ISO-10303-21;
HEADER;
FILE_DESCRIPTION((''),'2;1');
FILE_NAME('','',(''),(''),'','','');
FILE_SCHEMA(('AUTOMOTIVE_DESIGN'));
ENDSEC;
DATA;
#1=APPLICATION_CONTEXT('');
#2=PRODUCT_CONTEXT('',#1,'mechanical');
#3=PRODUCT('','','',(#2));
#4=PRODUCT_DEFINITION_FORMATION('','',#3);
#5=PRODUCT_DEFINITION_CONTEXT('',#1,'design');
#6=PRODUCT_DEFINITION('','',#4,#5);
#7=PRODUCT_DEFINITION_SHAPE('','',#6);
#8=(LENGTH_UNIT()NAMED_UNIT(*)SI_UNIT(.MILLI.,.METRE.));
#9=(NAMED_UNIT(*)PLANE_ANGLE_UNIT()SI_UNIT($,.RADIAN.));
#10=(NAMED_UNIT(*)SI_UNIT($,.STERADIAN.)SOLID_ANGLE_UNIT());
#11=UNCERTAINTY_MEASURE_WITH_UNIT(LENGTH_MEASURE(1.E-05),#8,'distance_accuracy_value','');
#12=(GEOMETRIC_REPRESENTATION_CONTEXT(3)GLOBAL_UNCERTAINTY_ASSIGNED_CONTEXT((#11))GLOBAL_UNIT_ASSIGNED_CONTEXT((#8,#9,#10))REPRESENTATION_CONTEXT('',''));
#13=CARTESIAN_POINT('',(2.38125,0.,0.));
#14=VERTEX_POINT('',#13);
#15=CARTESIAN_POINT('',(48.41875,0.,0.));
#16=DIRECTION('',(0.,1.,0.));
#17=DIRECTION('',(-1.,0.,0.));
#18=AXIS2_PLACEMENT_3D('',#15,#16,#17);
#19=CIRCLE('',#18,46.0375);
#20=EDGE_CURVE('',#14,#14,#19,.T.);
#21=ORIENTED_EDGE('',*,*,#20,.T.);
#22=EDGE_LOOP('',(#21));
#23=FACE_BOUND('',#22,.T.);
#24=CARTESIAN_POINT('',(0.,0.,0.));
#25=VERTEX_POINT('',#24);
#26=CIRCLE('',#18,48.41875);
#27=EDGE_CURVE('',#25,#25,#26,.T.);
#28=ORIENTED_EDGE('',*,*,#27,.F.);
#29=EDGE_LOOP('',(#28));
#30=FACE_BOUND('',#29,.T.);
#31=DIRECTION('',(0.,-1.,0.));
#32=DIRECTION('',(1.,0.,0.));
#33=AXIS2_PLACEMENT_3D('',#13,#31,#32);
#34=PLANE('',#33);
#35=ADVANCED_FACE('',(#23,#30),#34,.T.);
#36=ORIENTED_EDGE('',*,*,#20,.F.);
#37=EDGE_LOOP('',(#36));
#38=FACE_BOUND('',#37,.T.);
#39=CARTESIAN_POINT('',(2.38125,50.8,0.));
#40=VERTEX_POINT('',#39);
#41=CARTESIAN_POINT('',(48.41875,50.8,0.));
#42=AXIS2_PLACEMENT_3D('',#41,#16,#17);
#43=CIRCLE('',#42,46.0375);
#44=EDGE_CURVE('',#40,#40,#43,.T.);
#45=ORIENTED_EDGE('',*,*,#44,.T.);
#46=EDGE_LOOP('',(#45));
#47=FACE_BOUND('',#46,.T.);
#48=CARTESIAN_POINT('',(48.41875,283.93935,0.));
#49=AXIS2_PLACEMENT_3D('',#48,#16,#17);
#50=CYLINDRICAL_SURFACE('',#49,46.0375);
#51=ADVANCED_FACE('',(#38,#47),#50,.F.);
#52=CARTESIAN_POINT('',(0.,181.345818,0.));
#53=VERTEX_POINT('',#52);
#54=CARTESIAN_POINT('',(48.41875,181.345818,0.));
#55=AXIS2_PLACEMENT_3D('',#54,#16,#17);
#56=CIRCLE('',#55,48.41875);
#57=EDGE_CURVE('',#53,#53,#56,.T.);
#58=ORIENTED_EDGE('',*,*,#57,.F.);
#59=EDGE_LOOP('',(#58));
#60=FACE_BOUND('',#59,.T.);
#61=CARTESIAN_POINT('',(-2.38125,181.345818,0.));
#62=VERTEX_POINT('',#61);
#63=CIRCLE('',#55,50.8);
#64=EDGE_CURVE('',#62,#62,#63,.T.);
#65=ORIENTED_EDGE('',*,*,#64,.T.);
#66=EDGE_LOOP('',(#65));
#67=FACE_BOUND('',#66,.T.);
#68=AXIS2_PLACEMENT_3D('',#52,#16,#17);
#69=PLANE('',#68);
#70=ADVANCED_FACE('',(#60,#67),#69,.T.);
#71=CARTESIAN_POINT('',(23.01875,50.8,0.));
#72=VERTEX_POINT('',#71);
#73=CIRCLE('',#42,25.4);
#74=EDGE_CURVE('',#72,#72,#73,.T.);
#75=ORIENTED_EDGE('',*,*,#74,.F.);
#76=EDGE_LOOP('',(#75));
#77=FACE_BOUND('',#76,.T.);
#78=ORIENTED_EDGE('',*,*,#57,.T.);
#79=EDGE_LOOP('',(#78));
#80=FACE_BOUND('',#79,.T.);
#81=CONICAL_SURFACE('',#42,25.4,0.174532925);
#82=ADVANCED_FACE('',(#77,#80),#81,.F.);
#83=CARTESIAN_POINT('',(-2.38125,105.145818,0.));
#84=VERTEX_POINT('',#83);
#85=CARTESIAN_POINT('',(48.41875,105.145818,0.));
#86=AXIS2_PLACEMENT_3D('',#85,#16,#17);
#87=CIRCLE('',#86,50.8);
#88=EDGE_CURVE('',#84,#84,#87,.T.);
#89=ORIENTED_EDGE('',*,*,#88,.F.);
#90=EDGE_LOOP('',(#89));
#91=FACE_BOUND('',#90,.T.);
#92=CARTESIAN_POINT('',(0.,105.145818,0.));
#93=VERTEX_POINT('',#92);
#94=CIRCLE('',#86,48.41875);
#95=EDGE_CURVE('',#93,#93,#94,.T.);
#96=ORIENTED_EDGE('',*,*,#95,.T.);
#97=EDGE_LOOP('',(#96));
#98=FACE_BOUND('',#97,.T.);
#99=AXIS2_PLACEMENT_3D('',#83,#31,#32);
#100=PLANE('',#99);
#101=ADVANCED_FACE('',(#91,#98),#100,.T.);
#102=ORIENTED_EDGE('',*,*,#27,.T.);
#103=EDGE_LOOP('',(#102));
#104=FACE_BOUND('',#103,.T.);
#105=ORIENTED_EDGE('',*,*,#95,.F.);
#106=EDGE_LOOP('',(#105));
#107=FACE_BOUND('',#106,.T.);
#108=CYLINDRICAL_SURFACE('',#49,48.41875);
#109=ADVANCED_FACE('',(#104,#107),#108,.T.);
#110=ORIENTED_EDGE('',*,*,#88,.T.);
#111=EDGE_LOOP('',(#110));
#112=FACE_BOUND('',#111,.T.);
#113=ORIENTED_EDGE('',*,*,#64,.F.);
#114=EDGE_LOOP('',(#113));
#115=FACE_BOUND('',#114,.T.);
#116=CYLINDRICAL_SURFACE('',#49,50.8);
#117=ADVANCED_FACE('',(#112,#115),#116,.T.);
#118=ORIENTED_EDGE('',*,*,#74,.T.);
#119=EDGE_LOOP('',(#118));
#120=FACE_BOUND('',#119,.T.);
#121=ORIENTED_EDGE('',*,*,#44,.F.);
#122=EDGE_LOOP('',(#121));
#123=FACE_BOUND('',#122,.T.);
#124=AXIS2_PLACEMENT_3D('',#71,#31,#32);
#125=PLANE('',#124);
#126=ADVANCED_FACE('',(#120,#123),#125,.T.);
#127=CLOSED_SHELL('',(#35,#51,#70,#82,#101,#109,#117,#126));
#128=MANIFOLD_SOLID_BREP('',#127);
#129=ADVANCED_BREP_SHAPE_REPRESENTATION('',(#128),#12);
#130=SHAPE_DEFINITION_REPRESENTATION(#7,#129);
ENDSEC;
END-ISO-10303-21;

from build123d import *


with BuildPart() as part:
    # Sketch1 → Revolve1 (revolve)
    with BuildSketch(Plane.XY):
        Polygon((2.38125, 0), (0, 0), (0, 105.145818385), (-2.38125, 105.145818385), (-2.38125, 181.345818385), (0, 181.345818385), (23.01875, 50.8), (2.38125, 50.8), align=None)
    revolve(axis=Axis((48.41875, 283.939349901, 0), (0, -1, 0)))


solid = part.part
